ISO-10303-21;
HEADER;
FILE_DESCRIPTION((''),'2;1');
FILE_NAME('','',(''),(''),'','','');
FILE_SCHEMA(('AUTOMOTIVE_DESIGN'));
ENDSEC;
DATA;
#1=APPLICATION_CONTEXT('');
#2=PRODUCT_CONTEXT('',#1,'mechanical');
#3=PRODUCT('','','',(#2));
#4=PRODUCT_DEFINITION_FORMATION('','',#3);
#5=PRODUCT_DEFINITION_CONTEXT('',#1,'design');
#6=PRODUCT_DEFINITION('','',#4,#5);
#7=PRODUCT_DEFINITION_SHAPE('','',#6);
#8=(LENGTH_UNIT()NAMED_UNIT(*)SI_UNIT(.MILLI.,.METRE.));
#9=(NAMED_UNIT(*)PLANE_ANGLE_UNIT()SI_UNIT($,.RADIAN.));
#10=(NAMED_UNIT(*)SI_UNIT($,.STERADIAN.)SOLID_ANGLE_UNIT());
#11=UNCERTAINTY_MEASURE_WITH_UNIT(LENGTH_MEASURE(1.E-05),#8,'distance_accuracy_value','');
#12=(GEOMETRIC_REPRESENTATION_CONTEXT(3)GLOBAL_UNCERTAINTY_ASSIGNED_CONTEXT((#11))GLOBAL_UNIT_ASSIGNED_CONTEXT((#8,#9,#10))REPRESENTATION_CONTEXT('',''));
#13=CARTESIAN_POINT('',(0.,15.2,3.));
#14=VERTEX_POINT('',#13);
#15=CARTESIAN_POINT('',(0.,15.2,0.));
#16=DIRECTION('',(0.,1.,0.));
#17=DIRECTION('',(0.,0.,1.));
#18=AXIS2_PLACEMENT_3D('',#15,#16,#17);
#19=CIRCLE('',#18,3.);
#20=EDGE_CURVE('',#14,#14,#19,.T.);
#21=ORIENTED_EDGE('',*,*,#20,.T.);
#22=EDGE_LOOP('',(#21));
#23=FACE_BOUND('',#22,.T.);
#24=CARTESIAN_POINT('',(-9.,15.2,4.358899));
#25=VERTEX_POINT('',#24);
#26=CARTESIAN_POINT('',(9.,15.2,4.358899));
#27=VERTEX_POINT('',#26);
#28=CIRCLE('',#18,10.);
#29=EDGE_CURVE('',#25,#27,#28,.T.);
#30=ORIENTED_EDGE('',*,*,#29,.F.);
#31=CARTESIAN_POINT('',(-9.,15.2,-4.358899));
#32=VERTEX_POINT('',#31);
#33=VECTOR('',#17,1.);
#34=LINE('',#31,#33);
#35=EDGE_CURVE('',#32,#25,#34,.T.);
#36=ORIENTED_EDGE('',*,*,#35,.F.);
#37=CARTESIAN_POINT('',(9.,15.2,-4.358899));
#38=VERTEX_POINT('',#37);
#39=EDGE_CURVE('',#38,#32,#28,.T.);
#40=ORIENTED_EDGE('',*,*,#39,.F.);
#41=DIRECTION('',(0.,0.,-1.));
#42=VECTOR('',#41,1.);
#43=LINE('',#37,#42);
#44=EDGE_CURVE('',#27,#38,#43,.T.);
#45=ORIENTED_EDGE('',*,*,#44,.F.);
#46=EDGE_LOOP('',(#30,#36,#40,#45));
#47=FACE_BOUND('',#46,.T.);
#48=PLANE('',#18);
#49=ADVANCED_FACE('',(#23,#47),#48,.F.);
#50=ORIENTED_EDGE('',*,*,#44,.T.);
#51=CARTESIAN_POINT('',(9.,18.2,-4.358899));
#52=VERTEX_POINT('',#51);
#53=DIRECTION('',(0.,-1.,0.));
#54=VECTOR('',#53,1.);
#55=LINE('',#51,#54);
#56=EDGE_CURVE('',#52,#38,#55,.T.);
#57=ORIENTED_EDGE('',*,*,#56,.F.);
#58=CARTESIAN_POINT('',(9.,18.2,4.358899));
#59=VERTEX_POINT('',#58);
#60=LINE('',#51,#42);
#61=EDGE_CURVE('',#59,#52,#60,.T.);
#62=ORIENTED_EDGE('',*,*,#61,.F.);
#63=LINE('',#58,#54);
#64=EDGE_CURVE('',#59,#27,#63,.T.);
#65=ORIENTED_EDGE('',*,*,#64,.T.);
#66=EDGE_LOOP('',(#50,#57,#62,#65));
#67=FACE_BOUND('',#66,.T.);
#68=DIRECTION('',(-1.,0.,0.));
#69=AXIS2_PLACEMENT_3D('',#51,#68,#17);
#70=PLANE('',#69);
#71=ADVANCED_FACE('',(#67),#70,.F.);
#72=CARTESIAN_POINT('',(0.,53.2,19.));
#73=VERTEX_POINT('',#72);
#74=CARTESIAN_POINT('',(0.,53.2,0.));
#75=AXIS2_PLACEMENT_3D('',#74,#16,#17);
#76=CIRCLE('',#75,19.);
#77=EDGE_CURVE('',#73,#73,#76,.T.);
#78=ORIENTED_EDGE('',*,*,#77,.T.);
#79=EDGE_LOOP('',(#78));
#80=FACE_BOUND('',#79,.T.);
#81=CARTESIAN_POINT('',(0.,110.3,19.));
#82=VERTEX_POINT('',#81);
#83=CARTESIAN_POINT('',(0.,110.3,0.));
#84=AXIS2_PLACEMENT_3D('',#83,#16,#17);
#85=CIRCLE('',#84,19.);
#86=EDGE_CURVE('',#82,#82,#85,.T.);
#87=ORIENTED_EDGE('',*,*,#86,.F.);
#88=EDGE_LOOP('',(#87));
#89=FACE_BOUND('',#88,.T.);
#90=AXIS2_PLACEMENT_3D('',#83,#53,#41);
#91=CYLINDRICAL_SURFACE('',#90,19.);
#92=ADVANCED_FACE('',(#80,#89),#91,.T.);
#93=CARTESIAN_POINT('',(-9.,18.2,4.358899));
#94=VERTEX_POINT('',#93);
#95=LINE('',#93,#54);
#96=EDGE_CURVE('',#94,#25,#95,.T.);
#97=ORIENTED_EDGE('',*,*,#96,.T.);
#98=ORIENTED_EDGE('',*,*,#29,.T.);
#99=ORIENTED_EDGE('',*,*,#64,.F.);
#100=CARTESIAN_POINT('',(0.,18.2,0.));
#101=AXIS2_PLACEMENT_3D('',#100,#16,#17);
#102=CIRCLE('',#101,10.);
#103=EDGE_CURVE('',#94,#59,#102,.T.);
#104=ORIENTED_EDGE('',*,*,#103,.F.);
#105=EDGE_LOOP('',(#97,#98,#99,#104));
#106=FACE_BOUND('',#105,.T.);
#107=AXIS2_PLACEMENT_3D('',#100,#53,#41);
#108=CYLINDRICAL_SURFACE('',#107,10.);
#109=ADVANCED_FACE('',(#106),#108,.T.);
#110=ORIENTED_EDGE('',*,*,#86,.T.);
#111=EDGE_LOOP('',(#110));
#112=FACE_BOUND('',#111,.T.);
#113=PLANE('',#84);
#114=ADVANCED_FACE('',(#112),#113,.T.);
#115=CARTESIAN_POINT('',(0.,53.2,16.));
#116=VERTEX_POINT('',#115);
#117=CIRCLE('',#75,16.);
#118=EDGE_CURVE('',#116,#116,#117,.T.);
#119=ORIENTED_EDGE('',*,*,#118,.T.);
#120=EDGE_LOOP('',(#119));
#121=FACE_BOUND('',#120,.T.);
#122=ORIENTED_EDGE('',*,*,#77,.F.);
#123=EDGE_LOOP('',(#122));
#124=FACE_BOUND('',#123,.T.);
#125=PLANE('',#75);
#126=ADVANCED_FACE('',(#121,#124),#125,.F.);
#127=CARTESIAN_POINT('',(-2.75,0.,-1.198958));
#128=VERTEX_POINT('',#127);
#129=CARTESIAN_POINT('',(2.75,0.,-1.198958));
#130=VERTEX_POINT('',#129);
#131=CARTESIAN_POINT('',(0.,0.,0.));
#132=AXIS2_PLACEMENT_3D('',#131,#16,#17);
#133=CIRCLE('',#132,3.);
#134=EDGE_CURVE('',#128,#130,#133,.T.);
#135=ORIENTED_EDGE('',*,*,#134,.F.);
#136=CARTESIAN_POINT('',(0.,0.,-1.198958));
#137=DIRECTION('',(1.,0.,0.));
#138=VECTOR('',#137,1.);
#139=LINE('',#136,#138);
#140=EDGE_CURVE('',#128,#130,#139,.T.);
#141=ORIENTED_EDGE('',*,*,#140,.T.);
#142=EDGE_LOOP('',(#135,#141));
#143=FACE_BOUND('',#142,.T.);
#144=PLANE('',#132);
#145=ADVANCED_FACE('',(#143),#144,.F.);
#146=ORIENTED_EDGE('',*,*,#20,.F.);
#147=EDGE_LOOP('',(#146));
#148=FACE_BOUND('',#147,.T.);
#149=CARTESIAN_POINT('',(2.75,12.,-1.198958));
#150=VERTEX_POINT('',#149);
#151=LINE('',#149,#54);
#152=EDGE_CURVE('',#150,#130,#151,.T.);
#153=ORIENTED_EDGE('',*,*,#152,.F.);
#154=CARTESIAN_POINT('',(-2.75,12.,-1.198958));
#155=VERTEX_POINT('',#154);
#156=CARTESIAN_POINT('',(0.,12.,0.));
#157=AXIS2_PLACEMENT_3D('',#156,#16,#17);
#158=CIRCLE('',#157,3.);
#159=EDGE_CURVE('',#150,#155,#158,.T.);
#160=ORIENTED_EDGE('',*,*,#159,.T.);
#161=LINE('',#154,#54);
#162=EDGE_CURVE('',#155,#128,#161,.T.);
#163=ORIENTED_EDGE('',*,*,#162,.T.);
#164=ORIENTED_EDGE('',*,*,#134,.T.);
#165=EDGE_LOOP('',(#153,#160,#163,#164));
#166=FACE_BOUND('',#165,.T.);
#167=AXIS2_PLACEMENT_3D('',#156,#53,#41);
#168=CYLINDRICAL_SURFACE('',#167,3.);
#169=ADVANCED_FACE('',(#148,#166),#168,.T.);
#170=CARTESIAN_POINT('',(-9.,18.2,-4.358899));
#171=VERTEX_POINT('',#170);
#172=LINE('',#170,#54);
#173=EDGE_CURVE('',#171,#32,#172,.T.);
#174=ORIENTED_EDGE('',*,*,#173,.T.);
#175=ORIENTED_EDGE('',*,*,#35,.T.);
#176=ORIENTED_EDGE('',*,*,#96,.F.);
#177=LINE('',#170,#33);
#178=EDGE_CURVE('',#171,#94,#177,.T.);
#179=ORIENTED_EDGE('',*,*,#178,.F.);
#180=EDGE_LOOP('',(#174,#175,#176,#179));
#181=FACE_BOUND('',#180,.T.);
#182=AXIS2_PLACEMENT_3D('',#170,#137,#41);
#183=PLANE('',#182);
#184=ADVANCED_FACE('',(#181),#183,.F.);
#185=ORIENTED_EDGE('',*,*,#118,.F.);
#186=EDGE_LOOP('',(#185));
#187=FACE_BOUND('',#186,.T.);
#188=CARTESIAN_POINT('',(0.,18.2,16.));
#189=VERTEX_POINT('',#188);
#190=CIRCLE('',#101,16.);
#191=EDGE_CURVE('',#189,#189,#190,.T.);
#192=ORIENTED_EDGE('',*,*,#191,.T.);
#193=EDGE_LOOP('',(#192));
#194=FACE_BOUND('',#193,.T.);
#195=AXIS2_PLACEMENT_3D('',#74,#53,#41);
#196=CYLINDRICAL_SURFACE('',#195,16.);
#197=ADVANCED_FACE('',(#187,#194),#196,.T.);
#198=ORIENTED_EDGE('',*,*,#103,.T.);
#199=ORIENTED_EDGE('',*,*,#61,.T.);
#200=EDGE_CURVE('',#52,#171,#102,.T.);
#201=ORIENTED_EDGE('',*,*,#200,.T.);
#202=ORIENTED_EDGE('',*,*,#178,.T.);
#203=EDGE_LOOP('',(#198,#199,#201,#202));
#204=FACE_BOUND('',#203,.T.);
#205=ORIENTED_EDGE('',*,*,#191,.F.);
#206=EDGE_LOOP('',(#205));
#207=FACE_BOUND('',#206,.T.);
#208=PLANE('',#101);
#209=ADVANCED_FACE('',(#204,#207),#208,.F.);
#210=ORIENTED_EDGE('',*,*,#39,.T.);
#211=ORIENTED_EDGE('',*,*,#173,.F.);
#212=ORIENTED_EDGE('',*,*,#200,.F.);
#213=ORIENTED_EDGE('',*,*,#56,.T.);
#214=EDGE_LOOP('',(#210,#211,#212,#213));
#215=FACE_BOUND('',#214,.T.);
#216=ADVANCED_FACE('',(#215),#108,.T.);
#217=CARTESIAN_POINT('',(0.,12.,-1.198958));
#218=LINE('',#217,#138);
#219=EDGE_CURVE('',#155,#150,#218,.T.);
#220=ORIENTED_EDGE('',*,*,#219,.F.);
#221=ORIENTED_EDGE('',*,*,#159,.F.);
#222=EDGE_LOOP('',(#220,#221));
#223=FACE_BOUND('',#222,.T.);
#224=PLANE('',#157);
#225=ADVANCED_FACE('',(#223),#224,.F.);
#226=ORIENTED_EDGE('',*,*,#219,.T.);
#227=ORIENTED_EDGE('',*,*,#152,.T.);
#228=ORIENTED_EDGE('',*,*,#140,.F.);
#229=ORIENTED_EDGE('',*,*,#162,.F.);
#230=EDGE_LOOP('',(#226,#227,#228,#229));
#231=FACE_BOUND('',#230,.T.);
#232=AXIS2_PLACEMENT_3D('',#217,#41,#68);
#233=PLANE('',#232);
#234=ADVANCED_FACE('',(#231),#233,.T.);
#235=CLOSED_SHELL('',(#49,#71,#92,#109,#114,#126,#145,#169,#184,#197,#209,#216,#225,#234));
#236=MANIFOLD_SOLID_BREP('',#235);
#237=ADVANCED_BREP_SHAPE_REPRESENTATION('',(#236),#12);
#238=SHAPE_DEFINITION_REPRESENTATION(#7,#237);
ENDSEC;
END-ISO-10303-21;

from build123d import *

# Parameters (mm, degrees)
BOSS_EXTRUDE1_DEPTH = 12
BOSS_EXTRUDE2_DEPTH = 3.2
BOSS_EXTRUDE3_DEPTH = 3
SKETCH6_R           = 16
BOSS_EXTRUDE4_DEPTH = 35
SKETCH7_R           = 19
BOSS_EXTRUDE5_DEPTH = 57.1


with BuildPart() as part:
    # Sketch2 → Boss-Extrude1 (new body)
    with BuildSketch(Plane(origin=(0, 0, 0), x_dir=(1, 0, 0), z_dir=(0, 1, 0))):
        with BuildLine():
            Line((2.75, 1.198957881), (-2.75, 1.198957881))
            ThreePointArc((-2.75, 1.198957881), (-0.612372436, -2.936835031), (3, 0))
            ThreePointArc((3, 0), (2.936835031, 0.612372436), (2.75, 1.198957881))
        make_face()
    extrude(amount=BOSS_EXTRUDE1_DEPTH)

    # Sketch3 → Boss-Extrude2 (add)
    with BuildSketch(Plane(origin=(0, 12, 0), x_dir=(1, 0, 0), z_dir=(0, 1, 0))):
        with BuildLine():
            Line((2.75, 1.198957881), (-2.75, 1.198957881))
            ThreePointArc((-2.75, 1.198957881), (-0.612372436, -2.936835031), (3, 0))
            ThreePointArc((3, 0), (2.936835031, 0.612372436), (2.75, 1.198957881))
        make_face()
        with BuildLine():
            ThreePointArc((2.75, 1.198957881), (0, 3), (-2.75, 1.198957881))
            Line((-2.75, 1.198957881), (2.75, 1.198957881))
        make_face()
        with BuildLine():
            ThreePointArc((-2.75, 1.198957881), (0, -3), (2.75, 1.198957881))
            Line((2.75, 1.198957881), (-2.75, 1.198957881))
        make_face()
    extrude(amount=BOSS_EXTRUDE2_DEPTH)

    # Sketch5 → Boss-Extrude3 (add)
    with BuildSketch(Plane(origin=(0, 15.2, 0), x_dir=(1, 0, 0), z_dir=(0, 1, 0))):
        with BuildLine():
            Line((-9, 4.358898944), (-9, -4.358898944))
            ThreePointArc((-9, -4.358898944), (0, -10), (9, -4.358898944))
            Line((9, -4.358898944), (9, 4.358898944))
            ThreePointArc((9, 4.358898944), (0, 10), (-9, 4.358898944))
        make_face()
    extrude(amount=BOSS_EXTRUDE3_DEPTH)

    # Sketch6 → Boss-Extrude4 (add)
    with BuildSketch(Plane(origin=(0, 18.2, 0), x_dir=(1, 0, 0), z_dir=(0, 1, 0))):
        Circle(SKETCH6_R)
    extrude(amount=BOSS_EXTRUDE4_DEPTH)

    # Sketch7 → Boss-Extrude5 (add)
    with BuildSketch(Plane(origin=(0, 53.2, 0), x_dir=(1, 0, 0), z_dir=(0, 1, 0))):
        Circle(SKETCH7_R)
    extrude(amount=BOSS_EXTRUDE5_DEPTH)


solid = part.part
